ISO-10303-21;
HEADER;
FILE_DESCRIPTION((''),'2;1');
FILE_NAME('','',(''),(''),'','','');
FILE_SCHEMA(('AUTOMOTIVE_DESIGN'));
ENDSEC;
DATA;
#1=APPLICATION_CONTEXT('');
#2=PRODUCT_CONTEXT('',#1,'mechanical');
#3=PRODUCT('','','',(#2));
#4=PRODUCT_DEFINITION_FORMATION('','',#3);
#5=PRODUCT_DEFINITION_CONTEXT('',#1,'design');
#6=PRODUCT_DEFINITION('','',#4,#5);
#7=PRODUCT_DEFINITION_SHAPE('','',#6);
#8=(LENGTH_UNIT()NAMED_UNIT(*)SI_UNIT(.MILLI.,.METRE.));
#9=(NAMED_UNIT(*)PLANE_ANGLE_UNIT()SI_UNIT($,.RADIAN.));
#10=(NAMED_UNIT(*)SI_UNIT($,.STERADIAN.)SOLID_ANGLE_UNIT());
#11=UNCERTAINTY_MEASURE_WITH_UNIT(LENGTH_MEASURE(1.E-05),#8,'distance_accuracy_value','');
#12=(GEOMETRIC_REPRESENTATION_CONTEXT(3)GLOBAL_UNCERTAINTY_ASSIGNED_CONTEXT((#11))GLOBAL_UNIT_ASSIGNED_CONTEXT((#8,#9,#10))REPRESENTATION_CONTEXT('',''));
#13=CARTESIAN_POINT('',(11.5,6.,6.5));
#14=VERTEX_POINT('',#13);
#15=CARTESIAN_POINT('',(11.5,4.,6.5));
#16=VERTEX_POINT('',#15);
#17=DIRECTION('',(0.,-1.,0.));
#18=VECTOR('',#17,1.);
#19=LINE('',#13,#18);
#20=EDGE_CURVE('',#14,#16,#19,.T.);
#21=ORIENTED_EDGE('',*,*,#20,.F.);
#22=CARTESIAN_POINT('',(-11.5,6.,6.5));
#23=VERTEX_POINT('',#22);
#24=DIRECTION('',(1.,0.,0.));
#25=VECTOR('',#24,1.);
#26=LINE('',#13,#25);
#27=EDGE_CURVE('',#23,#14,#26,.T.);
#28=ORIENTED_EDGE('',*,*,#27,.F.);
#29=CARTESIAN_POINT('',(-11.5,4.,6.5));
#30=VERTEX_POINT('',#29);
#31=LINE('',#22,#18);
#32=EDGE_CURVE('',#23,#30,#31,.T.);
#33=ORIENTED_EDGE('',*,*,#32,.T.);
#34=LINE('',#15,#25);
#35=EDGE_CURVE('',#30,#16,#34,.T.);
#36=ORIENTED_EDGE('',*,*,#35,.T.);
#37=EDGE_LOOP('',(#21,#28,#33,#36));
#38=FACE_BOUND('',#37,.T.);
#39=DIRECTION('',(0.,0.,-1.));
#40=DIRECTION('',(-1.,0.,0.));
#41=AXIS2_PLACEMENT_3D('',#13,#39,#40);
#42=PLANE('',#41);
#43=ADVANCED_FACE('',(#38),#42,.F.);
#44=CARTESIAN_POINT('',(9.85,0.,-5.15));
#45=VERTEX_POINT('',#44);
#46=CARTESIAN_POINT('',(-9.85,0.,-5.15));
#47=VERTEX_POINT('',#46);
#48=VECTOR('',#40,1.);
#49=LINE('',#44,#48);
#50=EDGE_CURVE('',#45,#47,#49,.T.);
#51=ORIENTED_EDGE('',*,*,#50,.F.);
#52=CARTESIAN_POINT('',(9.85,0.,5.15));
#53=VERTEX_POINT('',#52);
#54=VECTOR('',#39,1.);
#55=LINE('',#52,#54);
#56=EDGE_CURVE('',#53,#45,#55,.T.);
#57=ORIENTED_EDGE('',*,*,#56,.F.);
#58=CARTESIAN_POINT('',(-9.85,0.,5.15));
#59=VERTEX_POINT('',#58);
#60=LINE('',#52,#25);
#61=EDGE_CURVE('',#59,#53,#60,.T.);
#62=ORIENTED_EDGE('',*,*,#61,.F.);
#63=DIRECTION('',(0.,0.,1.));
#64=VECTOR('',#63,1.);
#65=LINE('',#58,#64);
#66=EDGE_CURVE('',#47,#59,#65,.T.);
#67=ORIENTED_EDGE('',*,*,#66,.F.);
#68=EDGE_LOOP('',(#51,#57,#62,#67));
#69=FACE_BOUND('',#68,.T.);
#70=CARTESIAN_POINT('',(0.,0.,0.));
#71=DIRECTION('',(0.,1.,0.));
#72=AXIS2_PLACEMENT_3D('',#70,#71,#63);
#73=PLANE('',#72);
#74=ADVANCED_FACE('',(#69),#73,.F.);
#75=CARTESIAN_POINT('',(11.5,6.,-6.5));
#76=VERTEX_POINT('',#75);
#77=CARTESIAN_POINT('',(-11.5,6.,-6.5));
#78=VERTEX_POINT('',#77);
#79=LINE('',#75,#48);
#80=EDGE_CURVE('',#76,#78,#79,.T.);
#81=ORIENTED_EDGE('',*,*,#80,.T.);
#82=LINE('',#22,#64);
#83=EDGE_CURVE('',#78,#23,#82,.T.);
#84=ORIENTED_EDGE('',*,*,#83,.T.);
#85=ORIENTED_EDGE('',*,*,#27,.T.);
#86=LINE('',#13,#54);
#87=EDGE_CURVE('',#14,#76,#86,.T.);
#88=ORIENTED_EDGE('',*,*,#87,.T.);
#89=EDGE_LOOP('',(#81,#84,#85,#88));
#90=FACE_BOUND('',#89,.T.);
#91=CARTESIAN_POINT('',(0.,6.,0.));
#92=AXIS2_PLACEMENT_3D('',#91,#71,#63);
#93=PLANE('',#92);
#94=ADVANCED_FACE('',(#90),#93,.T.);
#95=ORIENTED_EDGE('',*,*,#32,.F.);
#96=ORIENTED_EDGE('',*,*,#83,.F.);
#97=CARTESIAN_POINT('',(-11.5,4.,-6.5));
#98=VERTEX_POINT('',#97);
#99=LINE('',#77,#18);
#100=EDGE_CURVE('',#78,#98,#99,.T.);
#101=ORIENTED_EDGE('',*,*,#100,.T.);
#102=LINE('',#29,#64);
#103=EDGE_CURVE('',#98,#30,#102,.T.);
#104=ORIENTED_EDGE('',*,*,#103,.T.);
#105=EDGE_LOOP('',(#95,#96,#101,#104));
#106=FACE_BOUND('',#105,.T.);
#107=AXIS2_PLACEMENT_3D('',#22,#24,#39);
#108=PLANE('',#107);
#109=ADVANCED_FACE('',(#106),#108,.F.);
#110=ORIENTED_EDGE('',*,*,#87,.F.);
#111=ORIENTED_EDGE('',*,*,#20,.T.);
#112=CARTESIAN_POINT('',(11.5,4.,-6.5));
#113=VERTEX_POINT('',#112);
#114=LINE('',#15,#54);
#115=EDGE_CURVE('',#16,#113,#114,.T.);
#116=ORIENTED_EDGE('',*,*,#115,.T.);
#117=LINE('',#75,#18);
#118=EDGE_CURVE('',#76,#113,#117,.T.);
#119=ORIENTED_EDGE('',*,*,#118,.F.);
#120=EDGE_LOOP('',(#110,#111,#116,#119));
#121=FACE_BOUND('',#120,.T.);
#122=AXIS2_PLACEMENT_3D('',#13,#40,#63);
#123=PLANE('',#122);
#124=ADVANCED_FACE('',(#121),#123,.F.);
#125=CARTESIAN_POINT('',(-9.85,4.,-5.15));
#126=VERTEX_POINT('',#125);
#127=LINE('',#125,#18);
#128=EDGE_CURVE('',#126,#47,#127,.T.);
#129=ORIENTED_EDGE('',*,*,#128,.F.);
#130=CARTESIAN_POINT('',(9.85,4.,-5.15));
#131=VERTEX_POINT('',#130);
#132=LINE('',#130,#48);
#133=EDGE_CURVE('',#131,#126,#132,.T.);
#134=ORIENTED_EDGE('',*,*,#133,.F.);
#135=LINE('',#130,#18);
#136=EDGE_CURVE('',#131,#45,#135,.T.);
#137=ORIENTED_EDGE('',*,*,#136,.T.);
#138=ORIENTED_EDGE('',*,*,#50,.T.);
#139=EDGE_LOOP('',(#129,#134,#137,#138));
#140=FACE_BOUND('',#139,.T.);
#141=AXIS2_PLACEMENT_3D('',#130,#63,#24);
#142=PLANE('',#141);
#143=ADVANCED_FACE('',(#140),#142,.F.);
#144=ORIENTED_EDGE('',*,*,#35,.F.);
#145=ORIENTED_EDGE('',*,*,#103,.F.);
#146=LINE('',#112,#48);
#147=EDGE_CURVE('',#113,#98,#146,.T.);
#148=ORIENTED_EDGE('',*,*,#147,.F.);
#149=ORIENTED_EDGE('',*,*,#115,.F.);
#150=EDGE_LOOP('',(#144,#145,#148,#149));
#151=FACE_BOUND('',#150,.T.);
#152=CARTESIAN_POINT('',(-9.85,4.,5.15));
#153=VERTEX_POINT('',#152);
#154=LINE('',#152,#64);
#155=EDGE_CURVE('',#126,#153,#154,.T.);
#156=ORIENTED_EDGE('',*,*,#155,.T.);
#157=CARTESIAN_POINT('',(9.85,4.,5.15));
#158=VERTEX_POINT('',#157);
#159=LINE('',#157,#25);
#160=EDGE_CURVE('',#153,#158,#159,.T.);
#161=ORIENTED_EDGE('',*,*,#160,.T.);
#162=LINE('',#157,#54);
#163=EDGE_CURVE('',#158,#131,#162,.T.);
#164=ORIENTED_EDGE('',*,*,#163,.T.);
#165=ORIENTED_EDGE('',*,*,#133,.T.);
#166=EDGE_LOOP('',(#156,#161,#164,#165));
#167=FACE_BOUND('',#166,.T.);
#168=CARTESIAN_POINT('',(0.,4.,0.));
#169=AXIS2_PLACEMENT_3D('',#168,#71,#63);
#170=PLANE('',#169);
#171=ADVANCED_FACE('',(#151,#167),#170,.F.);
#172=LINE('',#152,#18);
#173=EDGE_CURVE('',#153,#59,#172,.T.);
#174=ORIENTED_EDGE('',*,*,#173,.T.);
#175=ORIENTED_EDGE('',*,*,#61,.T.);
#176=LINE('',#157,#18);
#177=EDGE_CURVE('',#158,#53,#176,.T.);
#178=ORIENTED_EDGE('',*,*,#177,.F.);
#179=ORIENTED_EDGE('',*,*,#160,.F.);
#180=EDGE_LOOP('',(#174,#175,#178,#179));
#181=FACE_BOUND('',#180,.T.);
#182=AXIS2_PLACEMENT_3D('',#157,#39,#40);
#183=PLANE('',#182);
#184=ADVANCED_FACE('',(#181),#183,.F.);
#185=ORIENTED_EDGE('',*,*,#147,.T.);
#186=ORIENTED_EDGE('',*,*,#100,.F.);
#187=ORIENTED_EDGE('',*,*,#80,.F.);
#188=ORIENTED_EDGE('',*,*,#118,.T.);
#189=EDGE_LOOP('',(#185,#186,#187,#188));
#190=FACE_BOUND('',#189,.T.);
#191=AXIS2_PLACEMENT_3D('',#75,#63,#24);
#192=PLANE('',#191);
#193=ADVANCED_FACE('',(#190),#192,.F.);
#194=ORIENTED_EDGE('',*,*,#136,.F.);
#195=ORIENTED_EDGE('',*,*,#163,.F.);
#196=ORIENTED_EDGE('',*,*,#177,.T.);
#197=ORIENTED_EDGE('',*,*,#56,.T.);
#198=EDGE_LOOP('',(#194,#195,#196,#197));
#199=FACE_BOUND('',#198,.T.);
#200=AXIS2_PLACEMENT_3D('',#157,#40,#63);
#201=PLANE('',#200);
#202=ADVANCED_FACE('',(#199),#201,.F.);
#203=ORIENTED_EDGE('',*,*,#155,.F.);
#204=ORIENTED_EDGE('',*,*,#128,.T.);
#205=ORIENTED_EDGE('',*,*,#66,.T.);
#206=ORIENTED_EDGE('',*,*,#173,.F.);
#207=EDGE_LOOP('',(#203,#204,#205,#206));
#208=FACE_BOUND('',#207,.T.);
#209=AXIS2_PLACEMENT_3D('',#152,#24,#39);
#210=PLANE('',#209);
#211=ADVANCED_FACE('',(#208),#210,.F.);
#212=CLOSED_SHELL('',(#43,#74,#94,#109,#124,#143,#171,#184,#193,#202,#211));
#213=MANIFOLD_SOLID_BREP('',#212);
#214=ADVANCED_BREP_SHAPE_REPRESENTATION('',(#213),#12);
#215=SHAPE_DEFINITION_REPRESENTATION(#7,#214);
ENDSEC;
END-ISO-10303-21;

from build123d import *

# Parameters (mm, degrees)
SKETCH1_W           = 19.7
SKETCH1_H           = 10.3
BOSS_EXTRUDE1_DEPTH = 4
SKETCH2_W           = 23
SKETCH2_H           = 13
BOSS_EXTRUDE2_DEPTH = 2


with BuildPart() as part:
    # Sketch1 → Boss-Extrude1 (new body)
    with BuildSketch(Plane(origin=(0, 0, 0), x_dir=(1, 0, 0), z_dir=(0, 1, 0))):
        Rectangle(SKETCH1_W, SKETCH1_H)
    extrude(amount=BOSS_EXTRUDE1_DEPTH)

    # Sketch2 → Boss-Extrude2 (add)
    with BuildSketch(Plane(origin=(0, 4, 0), x_dir=(1, 0, 0), z_dir=(0, 1, 0))):
        Rectangle(SKETCH2_W, SKETCH2_H)
    extrude(amount=BOSS_EXTRUDE2_DEPTH)


solid = part.part
